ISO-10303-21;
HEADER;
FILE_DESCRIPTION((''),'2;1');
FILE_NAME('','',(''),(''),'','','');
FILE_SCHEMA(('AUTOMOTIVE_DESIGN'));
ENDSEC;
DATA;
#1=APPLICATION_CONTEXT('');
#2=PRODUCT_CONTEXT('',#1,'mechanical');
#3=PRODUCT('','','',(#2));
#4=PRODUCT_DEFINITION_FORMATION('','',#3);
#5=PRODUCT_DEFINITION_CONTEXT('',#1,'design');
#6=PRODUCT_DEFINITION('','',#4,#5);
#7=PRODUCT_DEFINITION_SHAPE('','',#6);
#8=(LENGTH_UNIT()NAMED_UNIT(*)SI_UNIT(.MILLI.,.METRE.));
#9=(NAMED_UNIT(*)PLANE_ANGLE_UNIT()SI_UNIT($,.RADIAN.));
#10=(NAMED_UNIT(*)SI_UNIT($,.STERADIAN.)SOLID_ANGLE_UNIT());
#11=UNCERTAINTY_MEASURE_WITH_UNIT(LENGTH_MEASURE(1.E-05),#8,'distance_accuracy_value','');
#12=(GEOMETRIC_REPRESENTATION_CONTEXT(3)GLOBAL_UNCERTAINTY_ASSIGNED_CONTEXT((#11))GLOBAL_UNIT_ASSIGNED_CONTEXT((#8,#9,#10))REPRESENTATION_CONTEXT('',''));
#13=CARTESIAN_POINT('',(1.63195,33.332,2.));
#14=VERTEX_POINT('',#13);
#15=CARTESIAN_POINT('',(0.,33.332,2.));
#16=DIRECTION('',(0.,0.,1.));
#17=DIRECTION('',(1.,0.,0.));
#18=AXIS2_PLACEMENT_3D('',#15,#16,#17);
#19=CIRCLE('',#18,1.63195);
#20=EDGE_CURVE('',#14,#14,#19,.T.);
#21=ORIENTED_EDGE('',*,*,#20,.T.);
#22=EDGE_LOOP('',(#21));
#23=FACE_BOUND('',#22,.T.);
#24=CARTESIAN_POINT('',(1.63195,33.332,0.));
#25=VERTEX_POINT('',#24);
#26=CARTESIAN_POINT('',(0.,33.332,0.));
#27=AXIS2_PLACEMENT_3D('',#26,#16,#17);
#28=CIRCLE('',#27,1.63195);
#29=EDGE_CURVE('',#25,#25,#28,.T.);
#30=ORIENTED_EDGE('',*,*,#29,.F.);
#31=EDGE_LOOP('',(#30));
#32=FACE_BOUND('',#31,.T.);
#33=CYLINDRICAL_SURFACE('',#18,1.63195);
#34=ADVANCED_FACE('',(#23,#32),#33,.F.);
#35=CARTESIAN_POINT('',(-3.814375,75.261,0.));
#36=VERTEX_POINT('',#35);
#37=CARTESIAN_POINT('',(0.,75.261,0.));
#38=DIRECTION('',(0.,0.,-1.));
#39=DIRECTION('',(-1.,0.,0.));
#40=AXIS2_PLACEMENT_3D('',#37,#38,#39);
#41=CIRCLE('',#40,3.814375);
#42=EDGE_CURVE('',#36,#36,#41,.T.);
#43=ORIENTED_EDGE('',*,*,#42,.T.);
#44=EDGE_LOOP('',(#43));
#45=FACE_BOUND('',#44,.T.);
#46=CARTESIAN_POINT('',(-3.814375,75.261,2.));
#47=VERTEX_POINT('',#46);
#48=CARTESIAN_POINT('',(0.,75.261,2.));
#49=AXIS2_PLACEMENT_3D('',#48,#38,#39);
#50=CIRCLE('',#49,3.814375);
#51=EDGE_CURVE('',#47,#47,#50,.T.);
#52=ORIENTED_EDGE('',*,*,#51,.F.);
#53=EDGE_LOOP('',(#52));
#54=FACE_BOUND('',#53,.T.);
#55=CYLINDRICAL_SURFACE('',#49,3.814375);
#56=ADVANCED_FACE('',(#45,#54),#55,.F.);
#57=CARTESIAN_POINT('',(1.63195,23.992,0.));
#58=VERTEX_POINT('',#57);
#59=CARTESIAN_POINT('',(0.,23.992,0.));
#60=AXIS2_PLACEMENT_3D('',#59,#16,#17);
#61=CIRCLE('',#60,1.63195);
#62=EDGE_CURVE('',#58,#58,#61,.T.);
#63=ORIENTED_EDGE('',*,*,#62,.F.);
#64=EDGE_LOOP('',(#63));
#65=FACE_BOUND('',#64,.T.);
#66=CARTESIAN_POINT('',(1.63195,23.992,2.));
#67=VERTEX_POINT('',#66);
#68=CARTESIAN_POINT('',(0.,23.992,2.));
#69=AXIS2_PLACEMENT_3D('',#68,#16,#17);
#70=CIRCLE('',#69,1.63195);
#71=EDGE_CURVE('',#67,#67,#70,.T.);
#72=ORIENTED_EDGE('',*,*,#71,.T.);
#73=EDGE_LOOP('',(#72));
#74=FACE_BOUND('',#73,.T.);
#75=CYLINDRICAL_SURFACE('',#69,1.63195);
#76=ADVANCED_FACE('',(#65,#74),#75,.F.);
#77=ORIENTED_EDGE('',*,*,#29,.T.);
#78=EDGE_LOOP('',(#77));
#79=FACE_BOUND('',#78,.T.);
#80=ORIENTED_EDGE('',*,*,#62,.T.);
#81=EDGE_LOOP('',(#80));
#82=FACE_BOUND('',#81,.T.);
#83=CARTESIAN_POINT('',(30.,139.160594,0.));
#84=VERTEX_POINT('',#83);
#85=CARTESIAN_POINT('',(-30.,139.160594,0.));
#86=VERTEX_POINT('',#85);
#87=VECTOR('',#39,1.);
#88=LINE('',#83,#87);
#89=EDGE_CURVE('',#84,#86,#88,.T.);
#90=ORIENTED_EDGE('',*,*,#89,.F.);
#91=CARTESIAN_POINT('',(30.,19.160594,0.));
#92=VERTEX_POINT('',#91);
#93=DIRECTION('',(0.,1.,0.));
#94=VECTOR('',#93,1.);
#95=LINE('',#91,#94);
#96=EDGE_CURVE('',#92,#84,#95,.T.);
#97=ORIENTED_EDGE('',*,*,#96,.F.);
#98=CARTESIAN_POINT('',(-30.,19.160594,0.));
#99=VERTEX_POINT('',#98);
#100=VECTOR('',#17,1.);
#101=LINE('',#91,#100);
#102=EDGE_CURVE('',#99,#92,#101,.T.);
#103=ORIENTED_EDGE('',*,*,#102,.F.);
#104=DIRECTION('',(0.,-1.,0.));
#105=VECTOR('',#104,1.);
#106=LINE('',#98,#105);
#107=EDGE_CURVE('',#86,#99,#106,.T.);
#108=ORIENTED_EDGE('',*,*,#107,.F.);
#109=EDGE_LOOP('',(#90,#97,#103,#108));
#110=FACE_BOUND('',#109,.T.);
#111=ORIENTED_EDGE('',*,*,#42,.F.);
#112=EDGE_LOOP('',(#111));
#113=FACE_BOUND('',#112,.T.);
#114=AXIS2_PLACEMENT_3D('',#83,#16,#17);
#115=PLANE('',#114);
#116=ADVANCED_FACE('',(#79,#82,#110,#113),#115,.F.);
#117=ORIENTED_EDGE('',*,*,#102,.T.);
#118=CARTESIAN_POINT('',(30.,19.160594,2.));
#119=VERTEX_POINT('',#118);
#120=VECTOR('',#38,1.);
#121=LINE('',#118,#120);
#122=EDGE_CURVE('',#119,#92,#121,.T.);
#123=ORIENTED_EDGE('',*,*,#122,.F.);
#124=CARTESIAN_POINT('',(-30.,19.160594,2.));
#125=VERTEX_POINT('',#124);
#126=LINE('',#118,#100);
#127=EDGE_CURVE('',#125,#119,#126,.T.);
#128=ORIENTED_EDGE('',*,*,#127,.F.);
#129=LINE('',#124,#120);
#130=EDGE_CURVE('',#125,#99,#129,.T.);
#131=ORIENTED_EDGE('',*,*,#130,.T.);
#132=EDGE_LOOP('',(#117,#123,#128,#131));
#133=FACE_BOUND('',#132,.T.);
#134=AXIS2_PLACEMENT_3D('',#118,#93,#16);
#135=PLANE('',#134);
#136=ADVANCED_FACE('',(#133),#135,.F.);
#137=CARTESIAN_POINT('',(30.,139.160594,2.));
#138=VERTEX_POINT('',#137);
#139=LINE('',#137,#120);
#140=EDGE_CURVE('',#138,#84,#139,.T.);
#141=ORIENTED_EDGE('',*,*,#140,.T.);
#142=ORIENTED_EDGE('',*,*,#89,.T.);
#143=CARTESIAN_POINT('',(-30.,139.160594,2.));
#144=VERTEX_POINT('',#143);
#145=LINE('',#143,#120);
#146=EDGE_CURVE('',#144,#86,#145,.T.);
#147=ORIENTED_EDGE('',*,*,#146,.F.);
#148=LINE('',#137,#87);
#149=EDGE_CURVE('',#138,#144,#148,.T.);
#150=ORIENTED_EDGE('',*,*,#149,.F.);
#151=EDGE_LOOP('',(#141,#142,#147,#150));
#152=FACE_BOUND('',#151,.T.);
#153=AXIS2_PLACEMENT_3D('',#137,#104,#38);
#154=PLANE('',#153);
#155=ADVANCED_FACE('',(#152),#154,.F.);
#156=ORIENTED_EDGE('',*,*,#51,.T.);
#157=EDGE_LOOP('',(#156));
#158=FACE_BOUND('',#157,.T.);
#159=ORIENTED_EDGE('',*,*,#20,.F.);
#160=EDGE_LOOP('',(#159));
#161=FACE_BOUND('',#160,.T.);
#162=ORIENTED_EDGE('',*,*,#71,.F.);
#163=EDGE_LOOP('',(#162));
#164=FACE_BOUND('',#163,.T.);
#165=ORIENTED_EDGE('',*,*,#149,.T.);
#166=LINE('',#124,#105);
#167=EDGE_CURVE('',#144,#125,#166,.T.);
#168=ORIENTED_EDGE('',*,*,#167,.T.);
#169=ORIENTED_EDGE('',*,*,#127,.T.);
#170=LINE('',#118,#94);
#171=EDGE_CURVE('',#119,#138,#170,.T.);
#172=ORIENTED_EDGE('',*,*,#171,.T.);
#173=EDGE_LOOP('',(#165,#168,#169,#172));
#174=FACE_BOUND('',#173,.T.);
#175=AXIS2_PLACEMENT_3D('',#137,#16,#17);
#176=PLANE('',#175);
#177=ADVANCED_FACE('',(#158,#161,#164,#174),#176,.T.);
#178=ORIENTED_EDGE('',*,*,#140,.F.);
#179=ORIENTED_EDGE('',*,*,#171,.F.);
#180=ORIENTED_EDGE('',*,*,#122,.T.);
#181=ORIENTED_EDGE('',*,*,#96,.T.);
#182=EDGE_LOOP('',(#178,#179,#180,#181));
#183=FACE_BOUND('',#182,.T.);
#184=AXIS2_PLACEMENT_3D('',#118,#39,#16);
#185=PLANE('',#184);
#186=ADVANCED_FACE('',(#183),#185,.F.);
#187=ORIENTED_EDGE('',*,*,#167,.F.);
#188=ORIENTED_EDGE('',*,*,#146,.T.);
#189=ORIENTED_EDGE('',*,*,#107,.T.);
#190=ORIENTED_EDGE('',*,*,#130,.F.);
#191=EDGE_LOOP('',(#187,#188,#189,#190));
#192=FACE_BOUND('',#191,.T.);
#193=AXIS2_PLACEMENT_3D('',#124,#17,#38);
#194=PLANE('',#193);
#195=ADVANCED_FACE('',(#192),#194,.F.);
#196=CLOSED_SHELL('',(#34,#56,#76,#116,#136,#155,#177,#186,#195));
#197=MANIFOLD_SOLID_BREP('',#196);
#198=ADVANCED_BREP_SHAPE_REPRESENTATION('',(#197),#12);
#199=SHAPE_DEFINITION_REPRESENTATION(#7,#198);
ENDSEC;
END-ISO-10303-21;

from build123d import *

# Parameters (mm, degrees)
SKETCH1_W                 = 60
SKETCH1_H                 = 120
BOSS_EXTRUDE1_DEPTH       = 2
SKETCH2_R                 = 3.814375117
CUT_EXTRUDE1_DEPTH        = 2
F_4_CLEARANCE_HOLE2_D     = 3.2639
F_4_CLEARANCE_HOLE2_DEPTH = 10
F_4_CLEARANCE_HOLE2_TIP   = 0.980574487


with BuildPart() as part:
    # Sketch1 → Boss-Extrude1 (new body)
    with BuildSketch(Plane.XY):
        with Locations((0, 79.160593828)):
            Rectangle(SKETCH1_W, SKETCH1_H)
    extrude(amount=BOSS_EXTRUDE1_DEPTH)

    # Sketch2 → Cut-Extrude1 (cut)
    with BuildSketch(Plane(origin=(0, 0, 0), x_dir=(-1, 0, 0), z_dir=(0, 0, -1))):
        with Locations((0, 75.261)):
            Circle(SKETCH2_R)
    extrude(amount=-CUT_EXTRUDE1_DEPTH, mode=Mode.SUBTRACT)

    # #4 Clearance Hole2
    with Locations(Plane.XY.offset(2)):
        with Locations((0, 33.332), (0, 23.992)):
            Hole(F_4_CLEARANCE_HOLE2_D / 2, depth=F_4_CLEARANCE_HOLE2_DEPTH)
            with Locations((0, 0, -(F_4_CLEARANCE_HOLE2_DEPTH + F_4_CLEARANCE_HOLE2_TIP / 2))):  # 118° drill point
                Cone(0, F_4_CLEARANCE_HOLE2_D / 2, F_4_CLEARANCE_HOLE2_TIP, mode=Mode.SUBTRACT)


solid = part.part
